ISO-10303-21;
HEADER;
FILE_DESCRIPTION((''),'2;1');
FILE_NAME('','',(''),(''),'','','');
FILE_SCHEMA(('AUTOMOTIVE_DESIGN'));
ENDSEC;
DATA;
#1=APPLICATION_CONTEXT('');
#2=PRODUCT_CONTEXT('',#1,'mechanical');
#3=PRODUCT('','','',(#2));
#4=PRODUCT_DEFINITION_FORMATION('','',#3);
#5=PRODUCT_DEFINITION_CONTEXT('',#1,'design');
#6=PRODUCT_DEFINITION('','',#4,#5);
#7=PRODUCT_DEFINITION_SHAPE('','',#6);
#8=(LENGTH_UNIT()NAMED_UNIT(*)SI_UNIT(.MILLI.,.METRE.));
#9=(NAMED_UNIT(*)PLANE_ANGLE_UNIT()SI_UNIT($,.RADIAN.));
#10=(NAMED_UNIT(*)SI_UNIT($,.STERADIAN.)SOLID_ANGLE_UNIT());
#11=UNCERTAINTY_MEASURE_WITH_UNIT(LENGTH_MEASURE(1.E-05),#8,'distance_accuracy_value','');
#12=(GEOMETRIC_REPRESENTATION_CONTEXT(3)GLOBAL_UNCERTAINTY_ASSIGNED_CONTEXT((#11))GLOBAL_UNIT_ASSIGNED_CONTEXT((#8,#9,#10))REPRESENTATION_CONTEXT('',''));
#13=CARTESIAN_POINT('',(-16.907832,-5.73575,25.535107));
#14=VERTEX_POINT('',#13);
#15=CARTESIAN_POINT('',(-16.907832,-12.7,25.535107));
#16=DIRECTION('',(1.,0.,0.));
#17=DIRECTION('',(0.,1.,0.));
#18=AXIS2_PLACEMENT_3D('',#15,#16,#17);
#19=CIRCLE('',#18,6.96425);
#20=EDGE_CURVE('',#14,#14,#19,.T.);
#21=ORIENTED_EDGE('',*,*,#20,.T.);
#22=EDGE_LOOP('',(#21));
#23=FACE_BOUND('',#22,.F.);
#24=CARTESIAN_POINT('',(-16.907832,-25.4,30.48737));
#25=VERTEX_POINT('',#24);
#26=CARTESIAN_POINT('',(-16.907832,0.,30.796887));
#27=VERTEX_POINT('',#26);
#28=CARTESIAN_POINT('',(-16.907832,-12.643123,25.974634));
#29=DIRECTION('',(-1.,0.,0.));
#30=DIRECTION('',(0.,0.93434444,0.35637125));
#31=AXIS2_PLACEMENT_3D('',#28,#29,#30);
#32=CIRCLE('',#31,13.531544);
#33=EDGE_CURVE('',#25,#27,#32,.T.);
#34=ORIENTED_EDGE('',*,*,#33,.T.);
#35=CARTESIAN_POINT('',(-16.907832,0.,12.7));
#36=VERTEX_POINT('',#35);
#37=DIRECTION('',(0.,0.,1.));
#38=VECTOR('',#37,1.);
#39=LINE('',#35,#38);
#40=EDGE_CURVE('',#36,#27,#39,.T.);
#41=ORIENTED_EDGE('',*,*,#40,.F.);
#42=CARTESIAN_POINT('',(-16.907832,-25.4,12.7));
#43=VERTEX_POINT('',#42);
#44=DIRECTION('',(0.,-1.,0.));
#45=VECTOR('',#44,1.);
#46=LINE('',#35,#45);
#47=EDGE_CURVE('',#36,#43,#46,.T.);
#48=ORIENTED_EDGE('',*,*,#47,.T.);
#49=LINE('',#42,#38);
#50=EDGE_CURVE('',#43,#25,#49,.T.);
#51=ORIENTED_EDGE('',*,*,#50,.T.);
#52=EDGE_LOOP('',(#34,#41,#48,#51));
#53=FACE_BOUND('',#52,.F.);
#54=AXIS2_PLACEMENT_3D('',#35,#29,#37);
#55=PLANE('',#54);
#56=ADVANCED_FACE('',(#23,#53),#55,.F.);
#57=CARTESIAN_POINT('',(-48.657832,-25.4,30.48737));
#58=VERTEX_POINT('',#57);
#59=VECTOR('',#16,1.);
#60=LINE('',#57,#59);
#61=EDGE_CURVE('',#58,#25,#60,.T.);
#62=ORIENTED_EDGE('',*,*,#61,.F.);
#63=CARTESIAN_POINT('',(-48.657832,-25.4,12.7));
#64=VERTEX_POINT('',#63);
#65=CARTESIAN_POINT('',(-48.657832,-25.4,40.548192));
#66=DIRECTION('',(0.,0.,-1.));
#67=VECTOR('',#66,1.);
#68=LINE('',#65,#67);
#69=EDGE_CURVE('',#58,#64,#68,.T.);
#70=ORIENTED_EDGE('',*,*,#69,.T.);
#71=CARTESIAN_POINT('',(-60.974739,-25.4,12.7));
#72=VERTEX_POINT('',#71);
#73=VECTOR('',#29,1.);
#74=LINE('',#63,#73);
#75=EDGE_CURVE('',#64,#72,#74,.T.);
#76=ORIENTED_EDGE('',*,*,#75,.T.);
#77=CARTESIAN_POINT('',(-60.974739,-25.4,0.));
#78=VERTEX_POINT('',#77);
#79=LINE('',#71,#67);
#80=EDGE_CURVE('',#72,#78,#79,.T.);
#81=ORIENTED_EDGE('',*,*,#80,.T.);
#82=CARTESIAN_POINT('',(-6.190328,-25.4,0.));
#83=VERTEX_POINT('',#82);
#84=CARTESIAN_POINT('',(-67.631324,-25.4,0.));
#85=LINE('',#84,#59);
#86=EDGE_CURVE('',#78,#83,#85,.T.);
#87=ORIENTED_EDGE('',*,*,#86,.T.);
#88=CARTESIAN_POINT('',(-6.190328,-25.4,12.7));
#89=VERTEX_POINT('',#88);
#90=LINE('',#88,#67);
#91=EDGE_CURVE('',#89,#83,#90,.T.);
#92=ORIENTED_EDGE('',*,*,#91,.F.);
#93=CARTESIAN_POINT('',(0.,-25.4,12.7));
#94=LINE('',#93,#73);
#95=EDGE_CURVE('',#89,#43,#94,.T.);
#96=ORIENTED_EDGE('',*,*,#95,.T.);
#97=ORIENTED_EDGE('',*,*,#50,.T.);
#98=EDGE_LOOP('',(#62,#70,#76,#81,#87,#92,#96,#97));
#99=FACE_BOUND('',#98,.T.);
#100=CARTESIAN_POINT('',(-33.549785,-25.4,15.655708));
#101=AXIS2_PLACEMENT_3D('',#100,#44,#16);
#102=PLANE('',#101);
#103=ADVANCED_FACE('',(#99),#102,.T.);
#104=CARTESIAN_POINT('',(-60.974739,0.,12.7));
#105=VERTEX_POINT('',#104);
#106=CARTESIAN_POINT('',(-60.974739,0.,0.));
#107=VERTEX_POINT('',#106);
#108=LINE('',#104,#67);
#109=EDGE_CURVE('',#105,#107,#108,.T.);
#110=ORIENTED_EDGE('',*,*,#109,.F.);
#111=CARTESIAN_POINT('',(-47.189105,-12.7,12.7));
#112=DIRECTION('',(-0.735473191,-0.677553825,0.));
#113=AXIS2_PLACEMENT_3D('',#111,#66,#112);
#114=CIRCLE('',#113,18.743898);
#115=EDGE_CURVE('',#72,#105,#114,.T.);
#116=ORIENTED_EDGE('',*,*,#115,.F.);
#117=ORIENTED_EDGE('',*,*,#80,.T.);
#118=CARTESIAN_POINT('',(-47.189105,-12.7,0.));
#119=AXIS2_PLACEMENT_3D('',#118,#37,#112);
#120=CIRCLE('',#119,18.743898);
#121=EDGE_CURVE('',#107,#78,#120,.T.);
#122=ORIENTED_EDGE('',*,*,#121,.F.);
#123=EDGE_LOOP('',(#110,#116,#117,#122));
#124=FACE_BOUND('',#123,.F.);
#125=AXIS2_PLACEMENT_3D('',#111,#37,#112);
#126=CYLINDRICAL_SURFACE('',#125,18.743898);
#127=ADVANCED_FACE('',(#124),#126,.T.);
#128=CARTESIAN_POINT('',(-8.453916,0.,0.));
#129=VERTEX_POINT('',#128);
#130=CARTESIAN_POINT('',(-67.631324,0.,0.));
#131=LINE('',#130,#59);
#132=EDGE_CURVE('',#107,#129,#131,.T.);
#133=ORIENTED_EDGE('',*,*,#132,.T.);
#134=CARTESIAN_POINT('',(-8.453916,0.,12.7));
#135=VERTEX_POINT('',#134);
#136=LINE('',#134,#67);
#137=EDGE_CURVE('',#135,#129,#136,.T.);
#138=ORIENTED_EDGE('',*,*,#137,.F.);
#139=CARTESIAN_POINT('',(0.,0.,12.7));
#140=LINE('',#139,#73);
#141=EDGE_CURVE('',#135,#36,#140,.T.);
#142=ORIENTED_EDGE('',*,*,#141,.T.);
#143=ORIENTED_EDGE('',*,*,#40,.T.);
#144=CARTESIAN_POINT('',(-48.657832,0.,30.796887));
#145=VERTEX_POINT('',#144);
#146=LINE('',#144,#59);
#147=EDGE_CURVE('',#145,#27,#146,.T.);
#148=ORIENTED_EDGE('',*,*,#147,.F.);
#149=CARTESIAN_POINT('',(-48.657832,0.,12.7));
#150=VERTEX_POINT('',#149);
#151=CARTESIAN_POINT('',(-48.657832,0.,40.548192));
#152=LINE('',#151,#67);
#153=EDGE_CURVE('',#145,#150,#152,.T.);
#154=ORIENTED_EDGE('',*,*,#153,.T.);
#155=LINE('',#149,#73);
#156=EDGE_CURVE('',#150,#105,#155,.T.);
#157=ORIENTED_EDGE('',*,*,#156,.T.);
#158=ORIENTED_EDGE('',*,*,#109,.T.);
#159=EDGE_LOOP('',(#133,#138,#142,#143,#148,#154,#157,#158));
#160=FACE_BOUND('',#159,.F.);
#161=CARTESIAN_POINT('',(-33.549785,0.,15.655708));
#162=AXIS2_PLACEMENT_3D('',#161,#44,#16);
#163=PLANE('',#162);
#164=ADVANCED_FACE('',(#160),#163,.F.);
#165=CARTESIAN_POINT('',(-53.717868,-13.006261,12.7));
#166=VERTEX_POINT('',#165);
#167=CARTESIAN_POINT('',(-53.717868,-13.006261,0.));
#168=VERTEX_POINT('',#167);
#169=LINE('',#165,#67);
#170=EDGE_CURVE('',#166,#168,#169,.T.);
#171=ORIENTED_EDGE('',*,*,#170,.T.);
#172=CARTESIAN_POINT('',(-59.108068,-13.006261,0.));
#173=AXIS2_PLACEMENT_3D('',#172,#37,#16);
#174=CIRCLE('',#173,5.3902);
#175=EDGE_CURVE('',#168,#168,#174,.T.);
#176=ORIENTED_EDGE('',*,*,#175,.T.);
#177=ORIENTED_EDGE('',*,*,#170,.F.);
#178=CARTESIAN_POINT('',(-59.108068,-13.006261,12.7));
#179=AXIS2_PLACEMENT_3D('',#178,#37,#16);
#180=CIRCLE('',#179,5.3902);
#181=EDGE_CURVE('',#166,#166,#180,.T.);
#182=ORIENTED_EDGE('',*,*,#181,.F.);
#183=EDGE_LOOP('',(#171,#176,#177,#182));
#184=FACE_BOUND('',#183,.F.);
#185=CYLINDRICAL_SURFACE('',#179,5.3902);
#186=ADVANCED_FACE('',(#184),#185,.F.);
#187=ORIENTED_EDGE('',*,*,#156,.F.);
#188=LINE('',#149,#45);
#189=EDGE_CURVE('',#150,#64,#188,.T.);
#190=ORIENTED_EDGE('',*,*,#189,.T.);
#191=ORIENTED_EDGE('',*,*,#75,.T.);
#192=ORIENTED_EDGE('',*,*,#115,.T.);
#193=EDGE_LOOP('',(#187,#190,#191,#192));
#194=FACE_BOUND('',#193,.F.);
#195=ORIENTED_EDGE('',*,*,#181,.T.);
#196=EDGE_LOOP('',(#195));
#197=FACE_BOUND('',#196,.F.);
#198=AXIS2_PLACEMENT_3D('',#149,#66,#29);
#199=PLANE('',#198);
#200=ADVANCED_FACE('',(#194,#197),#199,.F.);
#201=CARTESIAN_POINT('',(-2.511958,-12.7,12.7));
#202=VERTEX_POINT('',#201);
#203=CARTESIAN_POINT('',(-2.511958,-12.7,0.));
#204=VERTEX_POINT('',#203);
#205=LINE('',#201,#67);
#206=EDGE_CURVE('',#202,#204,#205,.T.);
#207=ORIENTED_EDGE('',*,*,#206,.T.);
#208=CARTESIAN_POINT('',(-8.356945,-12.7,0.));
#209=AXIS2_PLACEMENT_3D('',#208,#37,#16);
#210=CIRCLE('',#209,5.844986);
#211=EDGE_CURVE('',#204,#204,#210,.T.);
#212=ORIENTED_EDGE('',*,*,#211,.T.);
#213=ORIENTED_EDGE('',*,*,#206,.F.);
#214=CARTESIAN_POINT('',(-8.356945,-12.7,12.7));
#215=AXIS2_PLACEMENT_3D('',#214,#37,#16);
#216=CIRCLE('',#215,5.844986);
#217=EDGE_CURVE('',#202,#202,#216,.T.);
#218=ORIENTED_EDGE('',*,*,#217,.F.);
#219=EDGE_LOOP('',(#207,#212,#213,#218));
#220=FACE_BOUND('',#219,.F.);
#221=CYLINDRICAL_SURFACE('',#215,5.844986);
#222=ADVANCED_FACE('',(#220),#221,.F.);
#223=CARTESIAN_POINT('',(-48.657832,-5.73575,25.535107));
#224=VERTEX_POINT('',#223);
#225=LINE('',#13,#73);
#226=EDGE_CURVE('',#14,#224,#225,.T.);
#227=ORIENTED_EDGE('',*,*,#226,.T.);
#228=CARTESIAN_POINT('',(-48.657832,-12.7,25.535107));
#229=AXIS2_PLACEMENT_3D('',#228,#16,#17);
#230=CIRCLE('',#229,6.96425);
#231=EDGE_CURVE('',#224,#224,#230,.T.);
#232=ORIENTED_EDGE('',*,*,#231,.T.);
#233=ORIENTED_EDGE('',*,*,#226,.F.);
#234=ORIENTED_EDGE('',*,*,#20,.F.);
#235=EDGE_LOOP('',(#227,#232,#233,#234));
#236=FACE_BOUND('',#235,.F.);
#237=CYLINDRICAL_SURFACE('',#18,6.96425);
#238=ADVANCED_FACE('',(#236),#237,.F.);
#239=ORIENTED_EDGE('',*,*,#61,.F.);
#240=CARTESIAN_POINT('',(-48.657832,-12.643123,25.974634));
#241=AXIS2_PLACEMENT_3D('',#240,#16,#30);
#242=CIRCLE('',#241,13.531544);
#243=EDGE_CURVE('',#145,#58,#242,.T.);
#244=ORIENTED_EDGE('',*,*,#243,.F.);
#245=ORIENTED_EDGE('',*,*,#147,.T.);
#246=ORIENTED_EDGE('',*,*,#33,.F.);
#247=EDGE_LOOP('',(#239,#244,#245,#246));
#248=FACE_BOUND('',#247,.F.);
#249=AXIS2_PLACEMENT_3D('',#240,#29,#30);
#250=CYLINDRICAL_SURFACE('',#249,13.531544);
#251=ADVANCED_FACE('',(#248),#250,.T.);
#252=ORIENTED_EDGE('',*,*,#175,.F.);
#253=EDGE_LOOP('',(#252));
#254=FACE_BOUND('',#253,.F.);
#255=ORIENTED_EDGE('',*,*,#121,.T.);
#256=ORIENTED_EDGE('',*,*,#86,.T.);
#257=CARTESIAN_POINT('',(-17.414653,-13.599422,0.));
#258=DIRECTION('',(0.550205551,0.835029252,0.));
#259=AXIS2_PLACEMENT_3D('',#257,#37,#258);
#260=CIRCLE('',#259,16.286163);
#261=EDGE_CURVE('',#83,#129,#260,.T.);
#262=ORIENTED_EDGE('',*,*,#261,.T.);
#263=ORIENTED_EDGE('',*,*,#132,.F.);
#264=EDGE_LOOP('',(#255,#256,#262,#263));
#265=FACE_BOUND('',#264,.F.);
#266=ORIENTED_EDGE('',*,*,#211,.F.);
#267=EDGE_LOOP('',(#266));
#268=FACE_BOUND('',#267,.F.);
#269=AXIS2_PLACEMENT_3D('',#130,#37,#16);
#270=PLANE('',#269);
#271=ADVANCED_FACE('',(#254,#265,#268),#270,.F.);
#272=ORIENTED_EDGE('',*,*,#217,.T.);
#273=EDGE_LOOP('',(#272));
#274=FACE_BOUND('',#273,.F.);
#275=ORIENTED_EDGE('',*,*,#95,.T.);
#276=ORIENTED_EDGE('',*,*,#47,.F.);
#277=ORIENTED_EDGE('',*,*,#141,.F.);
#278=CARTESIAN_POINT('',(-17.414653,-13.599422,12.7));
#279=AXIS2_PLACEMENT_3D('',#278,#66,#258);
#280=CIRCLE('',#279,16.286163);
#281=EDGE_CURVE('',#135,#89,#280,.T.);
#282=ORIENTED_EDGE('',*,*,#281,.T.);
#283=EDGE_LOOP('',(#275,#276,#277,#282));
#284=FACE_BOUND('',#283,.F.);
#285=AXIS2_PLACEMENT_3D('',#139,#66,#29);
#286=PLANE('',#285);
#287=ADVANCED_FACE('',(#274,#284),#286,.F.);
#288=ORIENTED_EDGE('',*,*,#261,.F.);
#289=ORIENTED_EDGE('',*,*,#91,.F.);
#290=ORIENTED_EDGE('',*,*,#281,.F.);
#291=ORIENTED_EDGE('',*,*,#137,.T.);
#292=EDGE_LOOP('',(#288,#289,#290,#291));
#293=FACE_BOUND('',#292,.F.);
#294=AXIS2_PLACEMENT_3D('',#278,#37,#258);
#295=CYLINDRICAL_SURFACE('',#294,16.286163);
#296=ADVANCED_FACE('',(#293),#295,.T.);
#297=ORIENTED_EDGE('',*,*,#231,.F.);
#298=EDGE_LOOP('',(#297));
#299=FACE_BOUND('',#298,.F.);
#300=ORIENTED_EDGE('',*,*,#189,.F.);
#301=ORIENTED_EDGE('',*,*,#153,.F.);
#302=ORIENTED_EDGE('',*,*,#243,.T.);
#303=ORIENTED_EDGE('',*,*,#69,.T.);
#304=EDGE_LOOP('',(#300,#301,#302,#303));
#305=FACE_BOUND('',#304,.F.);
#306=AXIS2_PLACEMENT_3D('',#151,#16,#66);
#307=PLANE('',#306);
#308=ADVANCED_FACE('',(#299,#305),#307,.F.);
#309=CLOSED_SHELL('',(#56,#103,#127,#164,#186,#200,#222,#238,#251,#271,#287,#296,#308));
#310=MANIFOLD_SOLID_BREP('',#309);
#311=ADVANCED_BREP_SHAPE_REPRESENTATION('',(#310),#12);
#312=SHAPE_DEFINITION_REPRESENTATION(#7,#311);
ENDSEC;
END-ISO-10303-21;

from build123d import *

# Parameters (mm, degrees)
F1_DEPTH  = 25.4
F2_R      = 6.964249989
F3_DEPTH  = 31.75
F4_R      = 5.3902000798
F5_DEPTH  = 12.7
F6_R      = 5.8449861695
F7_DEPTH  = 12.7
F9_DEPTH  = 25.4
F11_DEPTH = 25.4
F13_DEPTH = 38.1


with BuildPart() as f1:
    # F0 (on Front) → F1 (new body)
    with BuildSketch(Plane.XZ):
        Polygon((-67.6313243027, 0), (0, 0), (0, 12.7), (-16.9078324569, 12.7), (-16.9078324569, 40.5481918725), (-48.6578324569, 40.5481918725), (-48.6578324569, 12.7), (-67.6313243027, 12.7), align=None)
    extrude(amount=F1_DEPTH)

    # F2 (on face) → F3 (cut)
    with BuildSketch(Plane.YZ.offset(-16.9078324569)):
        with Locations((-12.7, 25.5351066589)):
            Circle(F2_R)
    extrude(amount=-F3_DEPTH, mode=Mode.SUBTRACT)

    # F4 (on face) → F5 (cut)
    with BuildSketch(Plane.XY.offset(12.7)):
        with Locations((-59.1080682221, -13.0062611195)):
            Circle(F4_R)
    extrude(amount=-F5_DEPTH, mode=Mode.SUBTRACT)

    # F6 (on face) → F7 (cut)
    with BuildSketch(Plane.XY.offset(12.7)):
        with Locations((-8.3569446579, -12.7)):
            Circle(F6_R)
    extrude(amount=-F7_DEPTH, mode=Mode.SUBTRACT)

    # F8 (on face) → F9 (cut)
    with BuildSketch(Plane.XY.offset(12.7)):
        with BuildLine():
            ThreePointArc((-8.4539162285, 0), (-1.19277981, -12.1537675148), (-6.1903283931, -25.4))
            Line((-6.1903283931, -25.4), (0, -25.4))
            Line((0, -25.4), (0, 0))
            Line((0, 0), (-8.4539162285, 0))
        make_face()
    extrude(amount=-F9_DEPTH, mode=Mode.SUBTRACT)

    # F10 (on face) → F11 (cut)
    with BuildSketch(Plane.XY.offset(12.7)):
        with BuildLine():
            ThreePointArc((-60.9747394919, -25.4), (-65.9330031069, -12.7), (-60.9747394919, 0))
            Line((-60.9747394919, 0), (-67.6313243027, 0))
            Line((-67.6313243027, 0), (-67.6313243027, -25.4))
            Line((-67.6313243027, -25.4), (-60.9747394919, -25.4))
        make_face()
    extrude(amount=-F11_DEPTH, mode=Mode.SUBTRACT)

    # F12 (on face) → F13 (cut)
    with BuildSketch(Plane(origin=(-48.6578324569, 0, 0), x_dir=(0, -1, 0), z_dir=(-1, 0, 0))):
        with BuildLine():
            ThreePointArc((0, 30.7968873531), (12.8080026983, 39.50517373), (25.4, 30.487369746))
            Line((25.4, 30.487369746), (25.4, 40.5481918725))
            Line((25.4, 40.5481918725), (0, 40.5481918725))
            Line((0, 40.5481918725), (0, 30.7968873531))
        make_face()
    extrude(amount=-F13_DEPTH, mode=Mode.SUBTRACT)


solid = f1.part
